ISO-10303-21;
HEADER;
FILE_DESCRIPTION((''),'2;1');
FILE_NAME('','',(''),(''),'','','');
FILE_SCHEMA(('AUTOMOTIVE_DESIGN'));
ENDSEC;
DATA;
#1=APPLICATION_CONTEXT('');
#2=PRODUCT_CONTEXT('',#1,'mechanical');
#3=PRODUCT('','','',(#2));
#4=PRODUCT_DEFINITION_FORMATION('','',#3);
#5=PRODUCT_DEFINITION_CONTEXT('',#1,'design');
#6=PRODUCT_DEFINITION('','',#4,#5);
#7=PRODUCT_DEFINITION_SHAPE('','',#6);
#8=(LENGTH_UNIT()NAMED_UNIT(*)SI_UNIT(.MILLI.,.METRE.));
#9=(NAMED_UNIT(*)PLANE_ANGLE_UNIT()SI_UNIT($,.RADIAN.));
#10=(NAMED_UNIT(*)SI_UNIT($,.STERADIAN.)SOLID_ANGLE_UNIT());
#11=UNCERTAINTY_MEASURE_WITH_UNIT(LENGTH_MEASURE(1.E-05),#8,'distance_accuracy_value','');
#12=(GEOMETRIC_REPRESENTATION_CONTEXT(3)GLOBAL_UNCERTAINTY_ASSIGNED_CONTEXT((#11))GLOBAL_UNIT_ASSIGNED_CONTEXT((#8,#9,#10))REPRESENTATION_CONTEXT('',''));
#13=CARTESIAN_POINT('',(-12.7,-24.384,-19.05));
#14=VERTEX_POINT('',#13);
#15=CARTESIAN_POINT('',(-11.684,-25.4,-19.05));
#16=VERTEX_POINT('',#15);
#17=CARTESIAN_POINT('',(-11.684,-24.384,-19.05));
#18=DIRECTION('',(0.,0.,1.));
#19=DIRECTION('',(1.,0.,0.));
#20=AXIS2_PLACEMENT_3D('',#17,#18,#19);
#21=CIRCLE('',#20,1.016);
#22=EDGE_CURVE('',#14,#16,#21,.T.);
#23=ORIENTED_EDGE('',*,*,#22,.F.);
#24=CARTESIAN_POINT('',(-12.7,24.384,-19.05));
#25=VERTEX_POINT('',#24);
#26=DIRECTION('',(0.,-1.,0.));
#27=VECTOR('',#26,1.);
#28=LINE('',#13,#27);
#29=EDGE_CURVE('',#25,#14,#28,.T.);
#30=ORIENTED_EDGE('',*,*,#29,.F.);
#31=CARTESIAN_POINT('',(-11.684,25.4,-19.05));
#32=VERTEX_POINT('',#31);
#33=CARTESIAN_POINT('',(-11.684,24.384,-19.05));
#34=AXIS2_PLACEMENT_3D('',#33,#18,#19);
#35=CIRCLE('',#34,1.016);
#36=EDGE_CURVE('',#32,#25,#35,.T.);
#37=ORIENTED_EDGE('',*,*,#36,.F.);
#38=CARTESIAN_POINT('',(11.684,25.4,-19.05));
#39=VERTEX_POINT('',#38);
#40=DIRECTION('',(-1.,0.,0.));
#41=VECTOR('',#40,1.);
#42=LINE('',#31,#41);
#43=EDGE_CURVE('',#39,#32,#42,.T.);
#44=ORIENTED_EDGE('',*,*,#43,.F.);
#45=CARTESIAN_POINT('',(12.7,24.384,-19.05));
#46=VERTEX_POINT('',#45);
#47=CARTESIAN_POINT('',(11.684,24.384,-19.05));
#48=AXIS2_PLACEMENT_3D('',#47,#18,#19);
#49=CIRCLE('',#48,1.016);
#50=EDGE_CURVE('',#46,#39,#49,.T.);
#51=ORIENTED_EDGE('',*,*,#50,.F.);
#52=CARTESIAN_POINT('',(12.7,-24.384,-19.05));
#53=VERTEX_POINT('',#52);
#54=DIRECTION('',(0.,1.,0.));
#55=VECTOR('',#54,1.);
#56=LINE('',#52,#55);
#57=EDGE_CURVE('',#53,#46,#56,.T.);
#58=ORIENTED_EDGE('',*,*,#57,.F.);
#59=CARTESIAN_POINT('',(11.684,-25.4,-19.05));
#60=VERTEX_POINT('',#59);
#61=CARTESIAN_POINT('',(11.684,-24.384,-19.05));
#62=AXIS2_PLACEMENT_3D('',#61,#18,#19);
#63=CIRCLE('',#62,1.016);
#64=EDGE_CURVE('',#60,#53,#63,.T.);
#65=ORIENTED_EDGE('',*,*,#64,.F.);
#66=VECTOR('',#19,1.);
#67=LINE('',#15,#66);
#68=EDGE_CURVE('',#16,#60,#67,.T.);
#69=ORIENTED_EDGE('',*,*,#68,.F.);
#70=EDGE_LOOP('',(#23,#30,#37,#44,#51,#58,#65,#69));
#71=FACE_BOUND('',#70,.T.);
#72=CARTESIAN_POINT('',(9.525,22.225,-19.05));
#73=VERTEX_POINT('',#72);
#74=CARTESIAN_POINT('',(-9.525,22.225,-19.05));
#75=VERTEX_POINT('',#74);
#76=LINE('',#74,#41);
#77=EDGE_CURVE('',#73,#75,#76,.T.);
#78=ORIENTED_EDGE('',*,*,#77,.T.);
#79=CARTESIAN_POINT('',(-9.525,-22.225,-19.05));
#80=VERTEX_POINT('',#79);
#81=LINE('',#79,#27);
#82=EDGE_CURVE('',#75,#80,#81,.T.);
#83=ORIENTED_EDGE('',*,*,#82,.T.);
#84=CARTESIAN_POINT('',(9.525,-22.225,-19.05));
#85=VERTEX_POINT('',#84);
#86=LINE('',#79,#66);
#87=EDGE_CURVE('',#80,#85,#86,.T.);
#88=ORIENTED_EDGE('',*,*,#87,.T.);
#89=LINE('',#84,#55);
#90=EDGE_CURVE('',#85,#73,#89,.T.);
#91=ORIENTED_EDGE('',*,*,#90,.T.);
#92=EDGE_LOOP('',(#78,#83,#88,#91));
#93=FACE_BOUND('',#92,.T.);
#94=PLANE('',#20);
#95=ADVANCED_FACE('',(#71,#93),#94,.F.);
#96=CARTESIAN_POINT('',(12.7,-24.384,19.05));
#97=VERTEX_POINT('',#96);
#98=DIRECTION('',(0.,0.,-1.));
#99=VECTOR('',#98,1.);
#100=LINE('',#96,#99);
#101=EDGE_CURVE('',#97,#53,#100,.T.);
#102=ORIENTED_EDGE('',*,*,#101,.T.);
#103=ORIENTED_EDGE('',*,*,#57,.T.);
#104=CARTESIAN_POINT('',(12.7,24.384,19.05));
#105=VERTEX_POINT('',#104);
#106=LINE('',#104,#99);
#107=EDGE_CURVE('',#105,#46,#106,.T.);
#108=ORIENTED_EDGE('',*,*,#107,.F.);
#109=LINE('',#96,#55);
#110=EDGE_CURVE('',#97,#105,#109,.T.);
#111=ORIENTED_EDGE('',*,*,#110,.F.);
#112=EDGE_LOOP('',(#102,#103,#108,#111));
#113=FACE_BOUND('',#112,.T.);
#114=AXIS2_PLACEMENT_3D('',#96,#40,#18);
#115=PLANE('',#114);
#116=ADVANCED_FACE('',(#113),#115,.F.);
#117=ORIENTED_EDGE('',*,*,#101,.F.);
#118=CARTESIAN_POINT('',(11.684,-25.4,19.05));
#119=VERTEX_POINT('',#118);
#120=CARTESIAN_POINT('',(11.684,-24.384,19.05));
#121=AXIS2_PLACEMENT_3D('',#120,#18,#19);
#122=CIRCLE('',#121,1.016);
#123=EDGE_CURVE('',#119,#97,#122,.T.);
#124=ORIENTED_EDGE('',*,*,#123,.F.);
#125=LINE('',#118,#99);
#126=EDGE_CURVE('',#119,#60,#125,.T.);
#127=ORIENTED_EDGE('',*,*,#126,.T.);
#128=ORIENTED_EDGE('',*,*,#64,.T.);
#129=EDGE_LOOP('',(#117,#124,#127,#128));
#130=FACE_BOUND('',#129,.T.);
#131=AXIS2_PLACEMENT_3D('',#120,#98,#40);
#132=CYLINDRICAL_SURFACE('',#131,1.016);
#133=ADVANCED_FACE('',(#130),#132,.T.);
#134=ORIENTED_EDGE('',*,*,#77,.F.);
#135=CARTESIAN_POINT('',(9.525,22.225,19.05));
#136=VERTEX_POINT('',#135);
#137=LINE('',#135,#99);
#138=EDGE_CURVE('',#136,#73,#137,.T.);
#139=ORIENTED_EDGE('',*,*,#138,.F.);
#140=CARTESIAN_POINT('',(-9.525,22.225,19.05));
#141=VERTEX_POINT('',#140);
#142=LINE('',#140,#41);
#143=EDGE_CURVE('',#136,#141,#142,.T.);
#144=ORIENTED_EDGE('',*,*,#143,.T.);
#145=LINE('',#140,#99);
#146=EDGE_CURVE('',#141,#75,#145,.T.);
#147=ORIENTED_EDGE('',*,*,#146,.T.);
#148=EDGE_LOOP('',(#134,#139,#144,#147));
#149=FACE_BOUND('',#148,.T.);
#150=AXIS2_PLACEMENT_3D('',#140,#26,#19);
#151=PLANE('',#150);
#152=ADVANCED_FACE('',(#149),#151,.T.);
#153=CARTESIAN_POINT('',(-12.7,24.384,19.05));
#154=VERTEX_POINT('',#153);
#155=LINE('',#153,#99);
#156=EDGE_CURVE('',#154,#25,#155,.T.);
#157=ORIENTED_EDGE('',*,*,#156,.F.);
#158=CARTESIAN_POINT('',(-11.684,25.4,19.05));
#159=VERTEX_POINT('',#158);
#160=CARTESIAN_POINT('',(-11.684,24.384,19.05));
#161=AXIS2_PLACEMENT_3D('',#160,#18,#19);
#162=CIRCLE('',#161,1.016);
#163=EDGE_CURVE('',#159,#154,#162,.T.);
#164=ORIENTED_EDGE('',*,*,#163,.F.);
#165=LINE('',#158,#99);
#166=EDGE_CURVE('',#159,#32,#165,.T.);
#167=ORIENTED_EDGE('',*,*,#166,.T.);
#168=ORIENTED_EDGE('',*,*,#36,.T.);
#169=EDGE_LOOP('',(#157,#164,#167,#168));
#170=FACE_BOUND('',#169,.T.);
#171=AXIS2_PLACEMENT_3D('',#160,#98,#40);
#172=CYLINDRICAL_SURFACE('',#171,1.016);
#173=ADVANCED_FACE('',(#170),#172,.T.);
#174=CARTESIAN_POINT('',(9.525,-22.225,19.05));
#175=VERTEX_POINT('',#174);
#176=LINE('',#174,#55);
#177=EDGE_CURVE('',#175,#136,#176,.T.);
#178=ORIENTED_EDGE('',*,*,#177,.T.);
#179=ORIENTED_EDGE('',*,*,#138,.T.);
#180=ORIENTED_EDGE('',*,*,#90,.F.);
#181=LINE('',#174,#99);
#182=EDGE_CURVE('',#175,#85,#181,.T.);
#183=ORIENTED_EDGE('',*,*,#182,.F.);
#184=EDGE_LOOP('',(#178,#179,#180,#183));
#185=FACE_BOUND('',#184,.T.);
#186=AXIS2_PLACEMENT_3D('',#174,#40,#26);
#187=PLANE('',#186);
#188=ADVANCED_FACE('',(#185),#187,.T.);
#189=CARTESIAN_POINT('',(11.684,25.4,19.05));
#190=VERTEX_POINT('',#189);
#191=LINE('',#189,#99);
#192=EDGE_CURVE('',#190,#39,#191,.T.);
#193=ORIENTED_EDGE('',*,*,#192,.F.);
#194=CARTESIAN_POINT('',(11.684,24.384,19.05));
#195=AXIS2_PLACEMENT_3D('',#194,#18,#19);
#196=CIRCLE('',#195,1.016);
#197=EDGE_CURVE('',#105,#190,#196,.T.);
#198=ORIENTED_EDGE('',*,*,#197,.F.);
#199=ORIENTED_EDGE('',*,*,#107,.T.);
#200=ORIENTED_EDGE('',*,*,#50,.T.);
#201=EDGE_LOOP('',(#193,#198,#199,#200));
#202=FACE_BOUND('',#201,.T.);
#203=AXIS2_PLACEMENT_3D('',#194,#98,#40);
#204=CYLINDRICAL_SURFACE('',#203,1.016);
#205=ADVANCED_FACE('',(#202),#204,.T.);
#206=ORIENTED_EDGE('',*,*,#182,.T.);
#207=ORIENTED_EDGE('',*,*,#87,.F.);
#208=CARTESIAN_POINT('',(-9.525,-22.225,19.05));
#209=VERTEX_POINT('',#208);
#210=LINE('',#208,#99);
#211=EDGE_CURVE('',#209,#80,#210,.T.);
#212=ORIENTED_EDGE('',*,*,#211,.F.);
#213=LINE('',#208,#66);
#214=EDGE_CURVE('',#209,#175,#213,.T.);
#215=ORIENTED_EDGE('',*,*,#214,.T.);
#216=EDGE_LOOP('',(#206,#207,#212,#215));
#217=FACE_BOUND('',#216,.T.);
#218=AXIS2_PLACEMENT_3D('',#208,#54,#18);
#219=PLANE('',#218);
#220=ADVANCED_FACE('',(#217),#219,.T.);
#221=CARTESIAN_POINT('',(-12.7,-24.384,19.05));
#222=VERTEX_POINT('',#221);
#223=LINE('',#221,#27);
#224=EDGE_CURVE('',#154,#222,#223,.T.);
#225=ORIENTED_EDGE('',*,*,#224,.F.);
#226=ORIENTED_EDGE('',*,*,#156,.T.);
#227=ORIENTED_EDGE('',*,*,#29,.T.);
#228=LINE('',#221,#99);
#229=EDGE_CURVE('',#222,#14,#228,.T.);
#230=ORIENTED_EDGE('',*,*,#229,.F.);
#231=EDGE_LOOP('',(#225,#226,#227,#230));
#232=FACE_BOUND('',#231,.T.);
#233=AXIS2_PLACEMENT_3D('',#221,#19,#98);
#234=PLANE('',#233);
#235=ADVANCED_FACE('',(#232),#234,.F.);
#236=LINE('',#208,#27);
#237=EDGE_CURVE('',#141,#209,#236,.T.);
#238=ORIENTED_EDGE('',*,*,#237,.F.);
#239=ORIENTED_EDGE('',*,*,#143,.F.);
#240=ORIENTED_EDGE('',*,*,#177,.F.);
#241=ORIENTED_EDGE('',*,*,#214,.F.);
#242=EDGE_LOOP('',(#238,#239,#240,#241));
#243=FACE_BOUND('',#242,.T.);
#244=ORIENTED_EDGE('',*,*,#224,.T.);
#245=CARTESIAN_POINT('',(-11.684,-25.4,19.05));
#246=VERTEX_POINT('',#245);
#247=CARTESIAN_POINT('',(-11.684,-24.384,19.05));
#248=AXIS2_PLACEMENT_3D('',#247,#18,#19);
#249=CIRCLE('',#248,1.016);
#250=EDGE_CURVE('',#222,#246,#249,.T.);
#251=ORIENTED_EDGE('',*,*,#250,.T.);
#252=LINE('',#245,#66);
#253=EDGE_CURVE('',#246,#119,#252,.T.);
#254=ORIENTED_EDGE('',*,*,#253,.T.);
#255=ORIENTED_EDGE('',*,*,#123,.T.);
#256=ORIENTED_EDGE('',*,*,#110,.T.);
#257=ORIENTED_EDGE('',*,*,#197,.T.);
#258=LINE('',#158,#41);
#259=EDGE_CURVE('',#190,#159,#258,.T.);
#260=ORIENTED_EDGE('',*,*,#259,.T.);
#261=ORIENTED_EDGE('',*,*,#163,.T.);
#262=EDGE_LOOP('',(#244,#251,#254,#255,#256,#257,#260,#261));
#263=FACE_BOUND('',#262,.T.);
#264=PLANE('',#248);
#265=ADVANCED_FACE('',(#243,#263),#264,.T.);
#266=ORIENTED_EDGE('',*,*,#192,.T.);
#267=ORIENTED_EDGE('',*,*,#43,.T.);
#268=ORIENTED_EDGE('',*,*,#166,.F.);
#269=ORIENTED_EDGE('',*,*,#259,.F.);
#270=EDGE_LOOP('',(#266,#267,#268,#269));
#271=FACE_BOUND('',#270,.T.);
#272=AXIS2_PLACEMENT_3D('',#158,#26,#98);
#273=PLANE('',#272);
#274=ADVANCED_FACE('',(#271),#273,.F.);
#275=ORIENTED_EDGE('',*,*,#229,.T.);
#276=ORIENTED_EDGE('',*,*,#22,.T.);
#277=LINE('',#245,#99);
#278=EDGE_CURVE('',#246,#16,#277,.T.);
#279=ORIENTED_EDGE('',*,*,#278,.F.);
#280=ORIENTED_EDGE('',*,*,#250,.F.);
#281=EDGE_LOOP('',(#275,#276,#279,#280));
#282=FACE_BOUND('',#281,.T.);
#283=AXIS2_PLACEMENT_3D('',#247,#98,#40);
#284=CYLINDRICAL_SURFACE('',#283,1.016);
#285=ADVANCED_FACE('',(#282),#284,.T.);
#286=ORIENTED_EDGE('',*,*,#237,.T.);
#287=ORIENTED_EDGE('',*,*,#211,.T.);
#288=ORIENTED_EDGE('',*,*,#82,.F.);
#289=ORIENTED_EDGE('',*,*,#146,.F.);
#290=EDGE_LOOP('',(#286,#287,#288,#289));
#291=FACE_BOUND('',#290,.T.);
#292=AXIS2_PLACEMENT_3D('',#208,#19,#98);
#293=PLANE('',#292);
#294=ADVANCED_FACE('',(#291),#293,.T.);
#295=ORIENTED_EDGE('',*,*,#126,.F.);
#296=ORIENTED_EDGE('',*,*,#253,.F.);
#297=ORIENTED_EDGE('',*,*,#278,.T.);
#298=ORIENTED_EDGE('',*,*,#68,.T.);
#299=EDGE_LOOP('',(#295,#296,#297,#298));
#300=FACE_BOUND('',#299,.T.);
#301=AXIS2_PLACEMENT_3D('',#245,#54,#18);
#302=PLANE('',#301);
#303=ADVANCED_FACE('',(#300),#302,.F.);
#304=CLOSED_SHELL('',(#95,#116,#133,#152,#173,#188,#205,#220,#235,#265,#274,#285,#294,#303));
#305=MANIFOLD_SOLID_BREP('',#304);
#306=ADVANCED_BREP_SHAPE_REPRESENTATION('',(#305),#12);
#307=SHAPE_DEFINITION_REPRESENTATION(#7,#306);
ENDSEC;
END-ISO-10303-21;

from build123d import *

# Parameters (mm, degrees)
SKETCH1_W           = 19.05
SKETCH1_H           = 44.45
BOSS_EXTRUDE1_DEPTH = 19.05


with BuildPart() as part:
    # Sketch1 → Boss-Extrude1 (new, symmetric)
    with BuildSketch(Plane.XY):
        with BuildLine():
            Line((-11.684, -25.4), (11.684, -25.4))
            ThreePointArc((11.684, -25.4), (12.40242049, -25.10242049), (12.7, -24.384))
            Line((12.7, -24.384), (12.7, 24.384))
            ThreePointArc((12.7, 24.384), (12.40242049, 25.10242049), (11.684, 25.4))
            Line((11.684, 25.4), (-11.684, 25.4))
            ThreePointArc((-11.684, 25.4), (-12.40242049, 25.10242049), (-12.7, 24.384))
            Line((-12.7, 24.384), (-12.7, -24.384))
            ThreePointArc((-12.7, -24.384), (-12.40242049, -25.10242049), (-11.684, -25.4))
        make_face()
        Rectangle(SKETCH1_W, SKETCH1_H, mode=Mode.SUBTRACT)
    extrude(amount=BOSS_EXTRUDE1_DEPTH, both=True)


solid = part.part
